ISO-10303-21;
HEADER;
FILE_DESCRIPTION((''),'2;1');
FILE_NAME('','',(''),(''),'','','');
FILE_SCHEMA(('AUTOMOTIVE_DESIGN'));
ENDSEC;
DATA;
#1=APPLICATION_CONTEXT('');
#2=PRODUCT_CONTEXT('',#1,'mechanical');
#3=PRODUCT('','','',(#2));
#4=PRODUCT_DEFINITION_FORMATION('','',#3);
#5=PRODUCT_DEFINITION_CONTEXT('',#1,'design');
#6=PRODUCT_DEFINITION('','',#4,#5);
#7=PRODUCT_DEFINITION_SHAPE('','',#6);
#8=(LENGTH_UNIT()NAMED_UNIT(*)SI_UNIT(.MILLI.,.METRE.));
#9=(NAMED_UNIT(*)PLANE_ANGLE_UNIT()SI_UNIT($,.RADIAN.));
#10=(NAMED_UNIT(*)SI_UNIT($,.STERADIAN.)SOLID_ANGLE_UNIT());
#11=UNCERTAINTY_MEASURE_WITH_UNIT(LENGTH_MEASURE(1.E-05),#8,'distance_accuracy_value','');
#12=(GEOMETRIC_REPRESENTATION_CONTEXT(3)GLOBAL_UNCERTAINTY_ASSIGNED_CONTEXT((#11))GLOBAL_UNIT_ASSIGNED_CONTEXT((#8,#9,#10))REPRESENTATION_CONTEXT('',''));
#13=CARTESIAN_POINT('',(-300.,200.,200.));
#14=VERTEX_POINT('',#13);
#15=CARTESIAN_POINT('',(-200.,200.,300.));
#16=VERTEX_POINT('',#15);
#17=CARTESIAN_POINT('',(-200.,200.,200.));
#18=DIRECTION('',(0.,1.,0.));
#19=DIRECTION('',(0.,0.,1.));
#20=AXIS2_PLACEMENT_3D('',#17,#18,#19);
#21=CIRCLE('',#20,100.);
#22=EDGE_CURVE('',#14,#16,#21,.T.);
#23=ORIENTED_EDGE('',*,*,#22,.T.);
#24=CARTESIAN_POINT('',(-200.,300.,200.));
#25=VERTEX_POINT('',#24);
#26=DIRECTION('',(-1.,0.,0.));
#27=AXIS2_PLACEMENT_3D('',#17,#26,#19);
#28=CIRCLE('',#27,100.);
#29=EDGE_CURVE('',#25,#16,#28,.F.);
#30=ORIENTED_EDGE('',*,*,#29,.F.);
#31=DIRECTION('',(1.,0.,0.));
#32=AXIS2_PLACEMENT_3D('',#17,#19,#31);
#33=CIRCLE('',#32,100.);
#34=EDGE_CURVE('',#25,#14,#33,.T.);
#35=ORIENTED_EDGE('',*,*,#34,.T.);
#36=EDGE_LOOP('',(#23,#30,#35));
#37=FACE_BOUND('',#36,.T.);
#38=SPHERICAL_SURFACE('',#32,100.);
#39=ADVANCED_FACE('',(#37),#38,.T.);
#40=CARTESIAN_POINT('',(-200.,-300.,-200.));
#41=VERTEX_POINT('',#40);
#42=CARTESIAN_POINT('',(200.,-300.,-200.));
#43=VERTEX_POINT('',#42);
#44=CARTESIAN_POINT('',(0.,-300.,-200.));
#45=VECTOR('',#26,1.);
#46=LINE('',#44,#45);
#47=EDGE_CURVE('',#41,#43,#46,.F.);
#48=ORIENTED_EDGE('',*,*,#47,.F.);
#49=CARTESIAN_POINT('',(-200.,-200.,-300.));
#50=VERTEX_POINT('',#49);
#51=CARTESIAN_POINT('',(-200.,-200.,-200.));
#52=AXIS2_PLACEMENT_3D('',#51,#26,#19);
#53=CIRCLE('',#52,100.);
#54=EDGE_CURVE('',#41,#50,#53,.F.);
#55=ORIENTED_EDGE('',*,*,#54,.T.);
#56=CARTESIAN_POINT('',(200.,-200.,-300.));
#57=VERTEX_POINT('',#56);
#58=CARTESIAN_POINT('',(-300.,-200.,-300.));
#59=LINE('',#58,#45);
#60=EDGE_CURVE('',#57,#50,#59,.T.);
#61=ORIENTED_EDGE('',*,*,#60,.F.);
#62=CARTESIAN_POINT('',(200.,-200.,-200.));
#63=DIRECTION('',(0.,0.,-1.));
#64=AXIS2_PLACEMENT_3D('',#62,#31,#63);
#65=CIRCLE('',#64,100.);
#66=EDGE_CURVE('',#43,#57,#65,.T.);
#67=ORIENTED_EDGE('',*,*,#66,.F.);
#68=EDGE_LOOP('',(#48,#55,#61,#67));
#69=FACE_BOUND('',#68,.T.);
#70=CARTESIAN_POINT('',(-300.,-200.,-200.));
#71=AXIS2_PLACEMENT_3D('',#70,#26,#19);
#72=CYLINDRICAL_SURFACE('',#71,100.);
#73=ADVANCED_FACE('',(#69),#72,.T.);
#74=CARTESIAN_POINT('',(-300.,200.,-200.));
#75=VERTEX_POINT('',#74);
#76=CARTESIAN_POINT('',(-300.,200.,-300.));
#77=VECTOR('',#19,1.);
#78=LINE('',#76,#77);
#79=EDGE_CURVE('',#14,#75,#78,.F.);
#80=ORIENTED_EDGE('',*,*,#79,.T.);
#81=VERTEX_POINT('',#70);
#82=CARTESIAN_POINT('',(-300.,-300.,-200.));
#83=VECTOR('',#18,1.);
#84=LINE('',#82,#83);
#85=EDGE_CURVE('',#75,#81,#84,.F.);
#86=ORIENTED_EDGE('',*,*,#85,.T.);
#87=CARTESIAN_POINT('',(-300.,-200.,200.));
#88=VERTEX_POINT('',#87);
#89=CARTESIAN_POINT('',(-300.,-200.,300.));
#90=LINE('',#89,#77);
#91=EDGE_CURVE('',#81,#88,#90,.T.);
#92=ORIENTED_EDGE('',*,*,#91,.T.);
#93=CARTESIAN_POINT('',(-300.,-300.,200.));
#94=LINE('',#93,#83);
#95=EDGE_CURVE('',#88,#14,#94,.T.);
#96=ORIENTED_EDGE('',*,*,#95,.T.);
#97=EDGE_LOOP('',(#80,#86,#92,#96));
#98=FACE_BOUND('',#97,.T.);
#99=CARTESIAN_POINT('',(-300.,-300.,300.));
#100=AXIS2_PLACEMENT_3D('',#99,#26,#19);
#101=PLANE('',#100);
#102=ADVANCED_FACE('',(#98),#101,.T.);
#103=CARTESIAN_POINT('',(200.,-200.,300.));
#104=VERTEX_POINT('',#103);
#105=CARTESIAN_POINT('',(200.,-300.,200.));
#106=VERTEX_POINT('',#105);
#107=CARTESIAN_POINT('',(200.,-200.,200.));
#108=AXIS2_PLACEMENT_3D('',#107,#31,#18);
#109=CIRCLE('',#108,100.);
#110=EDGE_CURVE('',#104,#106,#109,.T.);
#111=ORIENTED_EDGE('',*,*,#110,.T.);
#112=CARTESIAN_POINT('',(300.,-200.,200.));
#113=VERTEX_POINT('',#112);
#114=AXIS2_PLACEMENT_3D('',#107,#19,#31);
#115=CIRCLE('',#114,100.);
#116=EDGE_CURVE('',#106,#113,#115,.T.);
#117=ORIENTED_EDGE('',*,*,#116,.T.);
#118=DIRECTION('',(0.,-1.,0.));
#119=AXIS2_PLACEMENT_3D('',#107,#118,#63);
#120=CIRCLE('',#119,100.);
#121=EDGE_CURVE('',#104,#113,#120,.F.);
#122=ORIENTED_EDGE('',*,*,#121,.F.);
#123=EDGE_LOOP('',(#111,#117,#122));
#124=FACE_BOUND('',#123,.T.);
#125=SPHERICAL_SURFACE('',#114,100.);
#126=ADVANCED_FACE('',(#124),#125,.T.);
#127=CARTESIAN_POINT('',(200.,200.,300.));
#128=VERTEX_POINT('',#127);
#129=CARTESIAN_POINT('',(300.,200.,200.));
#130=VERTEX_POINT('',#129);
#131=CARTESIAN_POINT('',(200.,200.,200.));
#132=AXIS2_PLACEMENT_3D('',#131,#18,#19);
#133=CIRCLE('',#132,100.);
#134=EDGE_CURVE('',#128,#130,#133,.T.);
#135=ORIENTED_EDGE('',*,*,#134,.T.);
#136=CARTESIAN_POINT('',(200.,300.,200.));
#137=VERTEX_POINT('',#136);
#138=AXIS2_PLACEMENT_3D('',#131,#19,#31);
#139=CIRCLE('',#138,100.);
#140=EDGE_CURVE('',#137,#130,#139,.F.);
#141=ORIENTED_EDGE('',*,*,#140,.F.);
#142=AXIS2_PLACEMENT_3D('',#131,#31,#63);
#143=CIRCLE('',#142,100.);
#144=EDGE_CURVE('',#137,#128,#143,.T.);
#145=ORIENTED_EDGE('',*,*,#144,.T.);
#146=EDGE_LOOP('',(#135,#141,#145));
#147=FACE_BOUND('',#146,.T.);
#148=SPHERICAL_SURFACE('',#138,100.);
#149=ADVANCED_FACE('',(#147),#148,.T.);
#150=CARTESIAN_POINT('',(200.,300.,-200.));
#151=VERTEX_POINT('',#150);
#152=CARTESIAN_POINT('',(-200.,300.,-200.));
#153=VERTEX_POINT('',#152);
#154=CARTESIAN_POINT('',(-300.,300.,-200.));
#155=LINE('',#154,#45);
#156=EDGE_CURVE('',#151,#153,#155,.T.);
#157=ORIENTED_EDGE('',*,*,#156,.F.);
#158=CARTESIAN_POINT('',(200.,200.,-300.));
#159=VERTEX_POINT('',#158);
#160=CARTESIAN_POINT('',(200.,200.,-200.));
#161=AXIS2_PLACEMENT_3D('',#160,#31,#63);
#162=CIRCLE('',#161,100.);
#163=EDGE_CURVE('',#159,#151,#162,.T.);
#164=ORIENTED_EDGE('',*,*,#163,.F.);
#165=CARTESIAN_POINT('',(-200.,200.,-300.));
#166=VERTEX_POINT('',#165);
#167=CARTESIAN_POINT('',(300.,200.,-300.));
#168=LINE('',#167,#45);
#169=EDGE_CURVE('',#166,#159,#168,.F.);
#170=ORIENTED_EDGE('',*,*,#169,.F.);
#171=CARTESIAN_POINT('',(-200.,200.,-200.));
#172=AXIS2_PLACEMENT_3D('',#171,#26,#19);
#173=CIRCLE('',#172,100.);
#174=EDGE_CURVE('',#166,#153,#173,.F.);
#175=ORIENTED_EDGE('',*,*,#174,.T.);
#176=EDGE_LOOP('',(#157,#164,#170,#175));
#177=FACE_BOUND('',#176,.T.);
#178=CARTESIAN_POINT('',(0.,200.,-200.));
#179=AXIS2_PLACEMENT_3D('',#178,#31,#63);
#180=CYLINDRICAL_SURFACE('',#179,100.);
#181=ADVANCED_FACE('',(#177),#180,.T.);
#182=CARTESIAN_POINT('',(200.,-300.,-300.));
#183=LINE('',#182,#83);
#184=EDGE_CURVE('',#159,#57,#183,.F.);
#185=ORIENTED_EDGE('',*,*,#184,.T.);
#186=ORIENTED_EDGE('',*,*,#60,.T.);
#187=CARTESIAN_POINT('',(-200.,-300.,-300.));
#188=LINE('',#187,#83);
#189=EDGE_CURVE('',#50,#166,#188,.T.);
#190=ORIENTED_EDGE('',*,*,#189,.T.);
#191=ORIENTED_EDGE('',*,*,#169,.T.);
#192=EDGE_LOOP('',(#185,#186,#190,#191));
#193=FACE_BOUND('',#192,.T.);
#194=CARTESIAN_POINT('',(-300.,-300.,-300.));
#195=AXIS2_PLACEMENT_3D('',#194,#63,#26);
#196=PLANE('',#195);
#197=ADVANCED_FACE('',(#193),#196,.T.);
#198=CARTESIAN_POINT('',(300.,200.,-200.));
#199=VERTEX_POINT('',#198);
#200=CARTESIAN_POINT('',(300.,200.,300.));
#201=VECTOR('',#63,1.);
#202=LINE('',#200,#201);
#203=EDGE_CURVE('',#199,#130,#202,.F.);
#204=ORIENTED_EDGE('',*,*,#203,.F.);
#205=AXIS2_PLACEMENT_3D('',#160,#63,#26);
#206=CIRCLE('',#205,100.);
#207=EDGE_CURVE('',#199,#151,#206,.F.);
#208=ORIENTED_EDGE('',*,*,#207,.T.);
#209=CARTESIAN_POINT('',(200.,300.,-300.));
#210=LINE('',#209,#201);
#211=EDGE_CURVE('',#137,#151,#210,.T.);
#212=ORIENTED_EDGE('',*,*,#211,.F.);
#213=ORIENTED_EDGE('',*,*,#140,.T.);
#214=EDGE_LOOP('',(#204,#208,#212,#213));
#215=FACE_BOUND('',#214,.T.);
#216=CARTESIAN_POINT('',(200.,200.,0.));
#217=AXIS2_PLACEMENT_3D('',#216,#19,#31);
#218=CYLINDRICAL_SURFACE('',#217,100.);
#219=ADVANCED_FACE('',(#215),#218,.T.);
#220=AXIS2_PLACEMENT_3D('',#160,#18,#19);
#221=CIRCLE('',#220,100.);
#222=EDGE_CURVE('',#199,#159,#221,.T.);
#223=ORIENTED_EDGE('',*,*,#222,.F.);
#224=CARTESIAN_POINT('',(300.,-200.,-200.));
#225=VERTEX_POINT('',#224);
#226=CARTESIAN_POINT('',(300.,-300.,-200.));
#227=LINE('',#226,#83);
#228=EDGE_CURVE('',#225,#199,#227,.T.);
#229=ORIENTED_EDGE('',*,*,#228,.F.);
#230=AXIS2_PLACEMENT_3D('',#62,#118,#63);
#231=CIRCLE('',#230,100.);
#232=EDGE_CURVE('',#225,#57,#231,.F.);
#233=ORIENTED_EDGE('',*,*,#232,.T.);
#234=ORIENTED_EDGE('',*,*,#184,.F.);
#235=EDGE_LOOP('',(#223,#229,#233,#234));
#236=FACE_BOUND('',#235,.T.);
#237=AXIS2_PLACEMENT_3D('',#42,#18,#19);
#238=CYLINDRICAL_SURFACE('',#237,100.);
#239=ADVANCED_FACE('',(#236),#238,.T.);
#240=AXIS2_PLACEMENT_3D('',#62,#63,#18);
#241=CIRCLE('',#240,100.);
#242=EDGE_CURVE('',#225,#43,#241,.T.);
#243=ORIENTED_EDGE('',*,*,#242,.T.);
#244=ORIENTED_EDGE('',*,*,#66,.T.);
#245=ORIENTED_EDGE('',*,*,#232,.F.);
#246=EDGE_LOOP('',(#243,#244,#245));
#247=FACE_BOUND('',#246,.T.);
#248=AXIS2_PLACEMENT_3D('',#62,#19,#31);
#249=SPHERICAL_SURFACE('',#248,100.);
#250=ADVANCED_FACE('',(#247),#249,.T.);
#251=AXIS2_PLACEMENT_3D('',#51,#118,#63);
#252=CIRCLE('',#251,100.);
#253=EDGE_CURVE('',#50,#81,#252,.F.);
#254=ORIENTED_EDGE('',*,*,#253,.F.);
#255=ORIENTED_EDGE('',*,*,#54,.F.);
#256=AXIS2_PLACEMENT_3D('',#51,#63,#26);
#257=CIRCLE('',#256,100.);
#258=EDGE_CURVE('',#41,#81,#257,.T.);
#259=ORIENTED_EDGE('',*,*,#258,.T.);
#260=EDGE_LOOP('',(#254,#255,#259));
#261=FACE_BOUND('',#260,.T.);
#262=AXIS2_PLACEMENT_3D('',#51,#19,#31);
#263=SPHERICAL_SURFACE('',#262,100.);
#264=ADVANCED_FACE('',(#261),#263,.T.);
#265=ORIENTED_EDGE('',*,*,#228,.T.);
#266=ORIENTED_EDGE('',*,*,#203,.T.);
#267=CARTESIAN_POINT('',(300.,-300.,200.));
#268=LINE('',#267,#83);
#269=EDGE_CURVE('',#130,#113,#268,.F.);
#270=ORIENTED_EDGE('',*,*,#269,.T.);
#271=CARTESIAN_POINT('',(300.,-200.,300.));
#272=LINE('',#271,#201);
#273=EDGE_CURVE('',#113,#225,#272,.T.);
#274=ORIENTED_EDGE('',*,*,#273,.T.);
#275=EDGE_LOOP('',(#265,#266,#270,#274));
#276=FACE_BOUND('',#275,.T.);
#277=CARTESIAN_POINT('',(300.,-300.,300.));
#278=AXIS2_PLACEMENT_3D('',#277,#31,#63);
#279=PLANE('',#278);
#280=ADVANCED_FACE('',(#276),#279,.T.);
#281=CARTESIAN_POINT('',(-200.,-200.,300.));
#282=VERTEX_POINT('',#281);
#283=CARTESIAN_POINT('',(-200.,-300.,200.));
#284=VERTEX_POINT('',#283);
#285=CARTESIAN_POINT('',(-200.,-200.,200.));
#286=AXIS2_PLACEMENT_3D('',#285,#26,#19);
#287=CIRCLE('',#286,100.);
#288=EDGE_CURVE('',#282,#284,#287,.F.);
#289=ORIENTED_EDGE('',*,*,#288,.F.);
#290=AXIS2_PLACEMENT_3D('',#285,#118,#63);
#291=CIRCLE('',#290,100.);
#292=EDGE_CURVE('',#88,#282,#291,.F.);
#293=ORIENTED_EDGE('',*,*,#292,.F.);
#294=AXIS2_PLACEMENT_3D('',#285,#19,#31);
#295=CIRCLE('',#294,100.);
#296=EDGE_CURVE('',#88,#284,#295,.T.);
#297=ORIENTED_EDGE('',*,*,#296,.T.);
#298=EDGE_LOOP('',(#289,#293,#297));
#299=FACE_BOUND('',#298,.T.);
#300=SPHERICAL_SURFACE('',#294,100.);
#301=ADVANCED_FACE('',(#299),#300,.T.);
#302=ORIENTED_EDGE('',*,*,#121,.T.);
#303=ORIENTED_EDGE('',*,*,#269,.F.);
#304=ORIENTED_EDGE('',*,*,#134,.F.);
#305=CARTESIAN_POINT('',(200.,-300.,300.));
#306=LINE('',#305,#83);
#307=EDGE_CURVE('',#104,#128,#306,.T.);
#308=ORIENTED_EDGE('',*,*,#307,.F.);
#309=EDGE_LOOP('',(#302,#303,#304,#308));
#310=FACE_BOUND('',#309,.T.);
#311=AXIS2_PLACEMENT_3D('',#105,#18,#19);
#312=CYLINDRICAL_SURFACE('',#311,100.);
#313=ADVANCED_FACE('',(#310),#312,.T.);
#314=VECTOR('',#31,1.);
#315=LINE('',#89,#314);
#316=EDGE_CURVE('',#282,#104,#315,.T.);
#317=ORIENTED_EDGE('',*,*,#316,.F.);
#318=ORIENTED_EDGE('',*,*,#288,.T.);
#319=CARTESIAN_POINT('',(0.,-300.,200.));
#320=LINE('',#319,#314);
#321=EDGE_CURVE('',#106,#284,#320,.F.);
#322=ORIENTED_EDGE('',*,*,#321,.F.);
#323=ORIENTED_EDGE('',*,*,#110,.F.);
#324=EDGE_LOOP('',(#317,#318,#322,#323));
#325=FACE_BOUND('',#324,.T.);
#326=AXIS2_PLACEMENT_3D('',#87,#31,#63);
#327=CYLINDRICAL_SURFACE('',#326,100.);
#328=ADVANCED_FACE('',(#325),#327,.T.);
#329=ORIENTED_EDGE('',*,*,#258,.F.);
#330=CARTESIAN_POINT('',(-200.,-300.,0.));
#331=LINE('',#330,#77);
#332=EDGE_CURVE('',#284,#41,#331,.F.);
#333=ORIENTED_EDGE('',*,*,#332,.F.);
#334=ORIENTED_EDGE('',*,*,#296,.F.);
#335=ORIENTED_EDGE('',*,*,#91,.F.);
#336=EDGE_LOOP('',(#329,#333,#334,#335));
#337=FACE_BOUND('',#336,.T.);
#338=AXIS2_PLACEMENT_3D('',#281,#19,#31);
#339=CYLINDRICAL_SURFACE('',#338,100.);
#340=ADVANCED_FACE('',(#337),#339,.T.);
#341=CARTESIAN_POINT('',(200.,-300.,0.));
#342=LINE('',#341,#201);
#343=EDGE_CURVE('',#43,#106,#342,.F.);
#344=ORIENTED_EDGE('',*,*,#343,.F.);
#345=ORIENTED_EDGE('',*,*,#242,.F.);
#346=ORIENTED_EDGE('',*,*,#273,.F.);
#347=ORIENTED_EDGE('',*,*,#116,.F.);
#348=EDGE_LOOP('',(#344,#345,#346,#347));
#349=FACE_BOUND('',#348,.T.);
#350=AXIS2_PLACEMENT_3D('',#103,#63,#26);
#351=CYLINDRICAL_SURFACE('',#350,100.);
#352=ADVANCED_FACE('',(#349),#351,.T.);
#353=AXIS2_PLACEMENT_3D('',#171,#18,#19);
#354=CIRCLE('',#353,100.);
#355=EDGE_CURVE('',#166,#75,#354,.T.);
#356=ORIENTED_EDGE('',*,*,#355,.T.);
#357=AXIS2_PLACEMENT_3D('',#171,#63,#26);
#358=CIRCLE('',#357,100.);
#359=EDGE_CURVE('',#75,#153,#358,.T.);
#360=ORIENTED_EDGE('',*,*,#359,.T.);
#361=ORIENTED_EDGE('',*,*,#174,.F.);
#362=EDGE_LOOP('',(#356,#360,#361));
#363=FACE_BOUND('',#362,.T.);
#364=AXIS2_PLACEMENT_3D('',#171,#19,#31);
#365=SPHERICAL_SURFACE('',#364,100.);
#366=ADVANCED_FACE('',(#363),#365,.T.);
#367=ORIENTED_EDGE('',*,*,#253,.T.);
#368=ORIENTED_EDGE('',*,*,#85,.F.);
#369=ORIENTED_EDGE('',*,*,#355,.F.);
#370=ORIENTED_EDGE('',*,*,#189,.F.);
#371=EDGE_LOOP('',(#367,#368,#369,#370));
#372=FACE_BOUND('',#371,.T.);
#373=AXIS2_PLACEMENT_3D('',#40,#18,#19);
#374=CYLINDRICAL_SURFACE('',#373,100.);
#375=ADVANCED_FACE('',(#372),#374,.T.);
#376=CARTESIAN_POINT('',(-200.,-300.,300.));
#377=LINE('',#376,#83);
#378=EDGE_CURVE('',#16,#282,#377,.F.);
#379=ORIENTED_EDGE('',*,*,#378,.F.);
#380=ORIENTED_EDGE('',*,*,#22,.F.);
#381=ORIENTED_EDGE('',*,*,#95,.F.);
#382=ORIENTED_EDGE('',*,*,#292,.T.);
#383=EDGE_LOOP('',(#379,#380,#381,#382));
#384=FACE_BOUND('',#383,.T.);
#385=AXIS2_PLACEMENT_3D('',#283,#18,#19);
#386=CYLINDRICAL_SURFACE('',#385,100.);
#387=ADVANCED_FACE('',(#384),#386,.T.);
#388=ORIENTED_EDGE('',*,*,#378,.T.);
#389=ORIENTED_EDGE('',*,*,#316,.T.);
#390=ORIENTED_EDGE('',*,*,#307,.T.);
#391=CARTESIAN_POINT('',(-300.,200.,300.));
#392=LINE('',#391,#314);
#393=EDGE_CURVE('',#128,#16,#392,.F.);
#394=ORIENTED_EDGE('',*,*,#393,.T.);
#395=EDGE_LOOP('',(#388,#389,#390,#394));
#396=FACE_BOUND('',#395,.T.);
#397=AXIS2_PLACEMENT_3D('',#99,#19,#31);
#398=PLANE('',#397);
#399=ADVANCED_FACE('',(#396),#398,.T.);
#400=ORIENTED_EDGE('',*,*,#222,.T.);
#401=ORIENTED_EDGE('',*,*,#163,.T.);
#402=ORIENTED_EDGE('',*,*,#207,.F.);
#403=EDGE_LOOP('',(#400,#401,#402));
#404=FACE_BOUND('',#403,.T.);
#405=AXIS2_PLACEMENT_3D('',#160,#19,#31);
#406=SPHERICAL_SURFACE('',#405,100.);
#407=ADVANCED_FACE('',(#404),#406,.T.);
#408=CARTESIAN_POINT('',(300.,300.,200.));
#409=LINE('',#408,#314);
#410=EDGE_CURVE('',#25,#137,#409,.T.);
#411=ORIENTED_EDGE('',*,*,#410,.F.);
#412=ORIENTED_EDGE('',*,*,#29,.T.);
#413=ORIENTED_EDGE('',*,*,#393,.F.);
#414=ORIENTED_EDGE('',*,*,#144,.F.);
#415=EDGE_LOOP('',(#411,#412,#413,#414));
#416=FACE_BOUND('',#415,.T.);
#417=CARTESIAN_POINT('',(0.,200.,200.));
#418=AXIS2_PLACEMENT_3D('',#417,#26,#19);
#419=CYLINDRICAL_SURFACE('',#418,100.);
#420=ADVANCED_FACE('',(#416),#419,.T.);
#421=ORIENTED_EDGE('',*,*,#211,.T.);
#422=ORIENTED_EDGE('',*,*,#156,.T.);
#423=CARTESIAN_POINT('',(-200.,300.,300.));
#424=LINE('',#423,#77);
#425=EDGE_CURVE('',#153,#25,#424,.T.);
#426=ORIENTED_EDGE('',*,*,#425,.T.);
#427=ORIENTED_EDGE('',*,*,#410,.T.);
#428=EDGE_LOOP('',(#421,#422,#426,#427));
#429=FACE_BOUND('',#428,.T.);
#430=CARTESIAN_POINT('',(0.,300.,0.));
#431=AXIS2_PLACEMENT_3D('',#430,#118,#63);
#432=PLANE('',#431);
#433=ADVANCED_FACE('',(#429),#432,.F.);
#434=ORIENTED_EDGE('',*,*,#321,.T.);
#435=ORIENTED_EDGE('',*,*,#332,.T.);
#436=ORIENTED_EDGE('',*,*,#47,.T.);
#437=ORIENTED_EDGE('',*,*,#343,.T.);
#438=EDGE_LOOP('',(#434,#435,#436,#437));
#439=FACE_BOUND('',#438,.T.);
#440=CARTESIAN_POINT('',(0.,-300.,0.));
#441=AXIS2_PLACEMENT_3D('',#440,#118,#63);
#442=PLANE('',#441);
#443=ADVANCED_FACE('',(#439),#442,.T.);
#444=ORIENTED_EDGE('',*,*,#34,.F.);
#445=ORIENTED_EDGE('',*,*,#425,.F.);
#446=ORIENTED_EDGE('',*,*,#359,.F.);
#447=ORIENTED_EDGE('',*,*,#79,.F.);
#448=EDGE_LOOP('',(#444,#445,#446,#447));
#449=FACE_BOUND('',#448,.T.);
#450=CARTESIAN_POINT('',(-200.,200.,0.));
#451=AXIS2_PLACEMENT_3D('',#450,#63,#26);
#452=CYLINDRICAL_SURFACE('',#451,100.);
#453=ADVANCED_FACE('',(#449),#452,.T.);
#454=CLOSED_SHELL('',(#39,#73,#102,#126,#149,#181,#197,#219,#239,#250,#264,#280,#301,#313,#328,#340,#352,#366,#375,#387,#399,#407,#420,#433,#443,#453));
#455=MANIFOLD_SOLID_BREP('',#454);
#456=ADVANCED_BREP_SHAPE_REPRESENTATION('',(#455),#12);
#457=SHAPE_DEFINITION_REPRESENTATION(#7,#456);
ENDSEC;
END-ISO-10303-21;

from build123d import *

# Parameters (mm, degrees)
BOSS_EXTRUDE1_DEPTH      = 300
BOSS_EXTRUDE1_DEPTH_BACK = 300
SKETCH2_W                = 600
SKETCH2_H                = 600
FILLET4_R                = 100


with BuildPart() as part:
    # Sketch2 → Boss-Extrude1 (new, two sides: drawn at the far end of the back side and taken through both)
    with BuildSketch(Plane(origin=(0, 0, 0), x_dir=(1, 0, 0), z_dir=(0, 1, 0)).offset(-BOSS_EXTRUDE1_DEPTH_BACK)):
        Rectangle(SKETCH2_W, SKETCH2_H)
    extrude(amount=BOSS_EXTRUDE1_DEPTH + BOSS_EXTRUDE1_DEPTH_BACK)

    # Fillet4
    fillet4_edges = [part.edges().sort_by_distance(p)[0] for p in [
        (300, -300, 0),
        (-300, 300, 0),
        (0, 300, 300),
        (0, -300, -300),
        (300, 300, 0),
        (0, 300, -300),
        (-300, -300, 0),
        (0, -300, 300),
        (-300, 0, -300),
        (300, 0, -300),
        (300, 0, 300),
        (-300, 0, 300),
    ]]
    fillet(fillet4_edges, radius=FILLET4_R)


solid = part.part
